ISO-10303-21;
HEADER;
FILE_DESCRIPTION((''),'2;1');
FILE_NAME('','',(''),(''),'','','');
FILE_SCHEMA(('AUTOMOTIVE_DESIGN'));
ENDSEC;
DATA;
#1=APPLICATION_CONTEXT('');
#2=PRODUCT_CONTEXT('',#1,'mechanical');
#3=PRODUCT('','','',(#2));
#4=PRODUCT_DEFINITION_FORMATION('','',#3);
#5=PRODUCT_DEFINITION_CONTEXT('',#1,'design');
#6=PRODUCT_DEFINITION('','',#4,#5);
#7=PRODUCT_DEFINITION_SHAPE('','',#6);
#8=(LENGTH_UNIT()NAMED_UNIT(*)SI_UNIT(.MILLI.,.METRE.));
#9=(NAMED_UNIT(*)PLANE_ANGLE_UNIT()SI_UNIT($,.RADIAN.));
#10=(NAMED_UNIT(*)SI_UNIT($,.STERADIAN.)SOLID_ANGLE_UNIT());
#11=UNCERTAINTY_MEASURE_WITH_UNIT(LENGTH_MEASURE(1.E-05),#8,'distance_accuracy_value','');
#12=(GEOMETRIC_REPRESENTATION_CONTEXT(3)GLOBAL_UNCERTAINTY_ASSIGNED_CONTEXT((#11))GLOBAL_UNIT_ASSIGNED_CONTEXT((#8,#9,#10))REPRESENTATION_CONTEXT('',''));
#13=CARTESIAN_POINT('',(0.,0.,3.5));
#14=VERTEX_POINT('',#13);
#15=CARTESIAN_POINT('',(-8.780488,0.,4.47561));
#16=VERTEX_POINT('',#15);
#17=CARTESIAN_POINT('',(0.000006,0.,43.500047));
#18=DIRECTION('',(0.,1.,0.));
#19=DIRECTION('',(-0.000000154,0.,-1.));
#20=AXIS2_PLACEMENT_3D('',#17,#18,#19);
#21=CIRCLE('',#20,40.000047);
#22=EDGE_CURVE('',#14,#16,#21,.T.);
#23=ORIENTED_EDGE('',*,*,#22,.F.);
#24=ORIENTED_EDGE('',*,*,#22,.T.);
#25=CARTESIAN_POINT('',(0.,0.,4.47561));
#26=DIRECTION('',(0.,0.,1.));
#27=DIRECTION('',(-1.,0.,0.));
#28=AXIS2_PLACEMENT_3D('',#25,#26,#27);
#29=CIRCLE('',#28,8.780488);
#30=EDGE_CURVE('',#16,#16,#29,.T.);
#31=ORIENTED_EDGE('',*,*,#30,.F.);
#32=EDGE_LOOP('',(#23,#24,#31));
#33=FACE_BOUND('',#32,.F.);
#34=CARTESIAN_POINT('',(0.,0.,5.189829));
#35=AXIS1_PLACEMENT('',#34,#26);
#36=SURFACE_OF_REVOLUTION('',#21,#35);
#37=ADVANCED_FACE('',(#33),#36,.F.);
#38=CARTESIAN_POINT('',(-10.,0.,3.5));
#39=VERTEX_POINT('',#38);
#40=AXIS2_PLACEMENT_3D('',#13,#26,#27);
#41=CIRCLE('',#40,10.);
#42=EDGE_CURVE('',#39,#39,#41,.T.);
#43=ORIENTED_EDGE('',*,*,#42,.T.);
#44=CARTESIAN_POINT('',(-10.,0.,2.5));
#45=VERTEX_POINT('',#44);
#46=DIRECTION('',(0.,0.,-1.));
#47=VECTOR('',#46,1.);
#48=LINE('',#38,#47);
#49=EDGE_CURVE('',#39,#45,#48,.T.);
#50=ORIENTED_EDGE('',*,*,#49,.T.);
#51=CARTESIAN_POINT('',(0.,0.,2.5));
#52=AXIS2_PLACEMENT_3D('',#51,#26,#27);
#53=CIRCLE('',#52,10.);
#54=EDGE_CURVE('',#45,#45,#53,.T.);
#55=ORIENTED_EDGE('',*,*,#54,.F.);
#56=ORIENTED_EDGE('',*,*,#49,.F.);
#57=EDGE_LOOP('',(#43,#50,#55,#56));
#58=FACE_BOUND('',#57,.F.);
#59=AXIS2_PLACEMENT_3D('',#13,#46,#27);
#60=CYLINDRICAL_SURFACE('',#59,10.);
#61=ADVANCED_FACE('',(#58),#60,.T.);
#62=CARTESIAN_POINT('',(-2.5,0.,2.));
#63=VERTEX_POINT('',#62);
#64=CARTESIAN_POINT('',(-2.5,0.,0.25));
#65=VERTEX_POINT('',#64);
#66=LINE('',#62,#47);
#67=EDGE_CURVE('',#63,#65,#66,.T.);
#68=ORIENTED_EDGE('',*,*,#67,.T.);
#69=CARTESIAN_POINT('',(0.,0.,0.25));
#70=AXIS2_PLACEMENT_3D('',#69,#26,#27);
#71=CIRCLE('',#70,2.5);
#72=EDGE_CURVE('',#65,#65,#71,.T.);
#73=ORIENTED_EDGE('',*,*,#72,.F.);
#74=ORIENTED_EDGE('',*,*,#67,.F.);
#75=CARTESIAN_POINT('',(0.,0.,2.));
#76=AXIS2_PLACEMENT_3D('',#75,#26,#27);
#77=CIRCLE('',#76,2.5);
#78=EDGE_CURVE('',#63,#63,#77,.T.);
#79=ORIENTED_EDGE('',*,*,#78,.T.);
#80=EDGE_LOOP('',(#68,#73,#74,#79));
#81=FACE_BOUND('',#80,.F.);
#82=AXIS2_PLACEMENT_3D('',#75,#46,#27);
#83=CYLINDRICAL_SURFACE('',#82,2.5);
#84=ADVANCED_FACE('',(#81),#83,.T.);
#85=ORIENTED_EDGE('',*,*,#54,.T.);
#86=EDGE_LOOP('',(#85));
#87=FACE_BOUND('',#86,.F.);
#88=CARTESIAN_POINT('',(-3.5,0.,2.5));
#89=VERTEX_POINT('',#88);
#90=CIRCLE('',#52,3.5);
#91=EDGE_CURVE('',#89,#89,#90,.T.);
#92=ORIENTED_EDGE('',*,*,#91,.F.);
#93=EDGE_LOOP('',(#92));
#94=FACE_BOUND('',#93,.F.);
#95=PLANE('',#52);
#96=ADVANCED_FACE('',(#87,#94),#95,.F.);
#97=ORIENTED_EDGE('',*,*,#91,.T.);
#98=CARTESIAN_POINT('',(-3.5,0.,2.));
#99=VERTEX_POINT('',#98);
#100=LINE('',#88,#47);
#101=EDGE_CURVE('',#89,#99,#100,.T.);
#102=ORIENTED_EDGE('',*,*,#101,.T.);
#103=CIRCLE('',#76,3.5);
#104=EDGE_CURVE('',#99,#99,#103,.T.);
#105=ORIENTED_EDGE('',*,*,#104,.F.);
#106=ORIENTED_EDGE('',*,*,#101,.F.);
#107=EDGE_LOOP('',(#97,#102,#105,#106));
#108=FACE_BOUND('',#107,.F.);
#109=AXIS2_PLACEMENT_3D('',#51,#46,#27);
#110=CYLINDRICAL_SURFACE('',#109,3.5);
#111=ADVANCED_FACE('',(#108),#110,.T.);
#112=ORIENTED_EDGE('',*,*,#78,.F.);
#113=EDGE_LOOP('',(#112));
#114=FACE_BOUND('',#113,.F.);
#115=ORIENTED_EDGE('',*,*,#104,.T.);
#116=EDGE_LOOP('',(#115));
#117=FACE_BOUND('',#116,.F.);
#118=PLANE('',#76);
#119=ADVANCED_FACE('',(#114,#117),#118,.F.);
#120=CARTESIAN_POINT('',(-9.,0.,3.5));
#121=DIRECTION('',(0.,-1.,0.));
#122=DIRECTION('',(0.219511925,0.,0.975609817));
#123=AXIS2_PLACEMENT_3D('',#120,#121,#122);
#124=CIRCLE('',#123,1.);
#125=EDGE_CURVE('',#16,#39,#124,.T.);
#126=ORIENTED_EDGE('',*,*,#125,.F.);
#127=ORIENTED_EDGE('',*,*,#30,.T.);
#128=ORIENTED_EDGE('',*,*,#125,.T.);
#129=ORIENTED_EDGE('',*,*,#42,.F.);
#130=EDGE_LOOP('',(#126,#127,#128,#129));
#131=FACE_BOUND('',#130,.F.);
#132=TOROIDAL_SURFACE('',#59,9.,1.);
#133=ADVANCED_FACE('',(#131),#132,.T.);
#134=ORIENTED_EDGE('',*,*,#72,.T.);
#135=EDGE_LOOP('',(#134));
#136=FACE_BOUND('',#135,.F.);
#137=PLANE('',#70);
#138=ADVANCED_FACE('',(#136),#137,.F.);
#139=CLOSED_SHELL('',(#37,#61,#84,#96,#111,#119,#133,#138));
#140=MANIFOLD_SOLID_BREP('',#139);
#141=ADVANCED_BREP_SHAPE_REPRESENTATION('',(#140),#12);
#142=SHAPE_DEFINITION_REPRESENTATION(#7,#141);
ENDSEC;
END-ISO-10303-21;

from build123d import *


with BuildPart() as f2:
    # F0 (on Front) → F2 (revolve)
    with BuildSketch(Plane.XZ):
        with BuildLine():
            Line((-2.5, 2), (-2.5, 0.25))
            Line((-2.5, 0.25), (0, 0.25))
            Line((0, 0.25), (0, 3.5))
            ThreePointArc((0, 3.5), (-4.417261, 3.744651), (-8.780488, 4.47561))
            ThreePointArc((-8.780488, 4.47561), (-9.624695, 4.280869), (-10, 3.5))
            Line((-10, 3.5), (-10, 2.5))
            Line((-10, 2.5), (-3.5, 2.5))
            Line((-3.5, 2.5), (-3.5, 2))
            Line((-3.5, 2), (-2.5, 2))
        make_face()
    revolve(axis=Axis((0, 0, 5.189829), (0, 0, 1)))


solid = f2.part
